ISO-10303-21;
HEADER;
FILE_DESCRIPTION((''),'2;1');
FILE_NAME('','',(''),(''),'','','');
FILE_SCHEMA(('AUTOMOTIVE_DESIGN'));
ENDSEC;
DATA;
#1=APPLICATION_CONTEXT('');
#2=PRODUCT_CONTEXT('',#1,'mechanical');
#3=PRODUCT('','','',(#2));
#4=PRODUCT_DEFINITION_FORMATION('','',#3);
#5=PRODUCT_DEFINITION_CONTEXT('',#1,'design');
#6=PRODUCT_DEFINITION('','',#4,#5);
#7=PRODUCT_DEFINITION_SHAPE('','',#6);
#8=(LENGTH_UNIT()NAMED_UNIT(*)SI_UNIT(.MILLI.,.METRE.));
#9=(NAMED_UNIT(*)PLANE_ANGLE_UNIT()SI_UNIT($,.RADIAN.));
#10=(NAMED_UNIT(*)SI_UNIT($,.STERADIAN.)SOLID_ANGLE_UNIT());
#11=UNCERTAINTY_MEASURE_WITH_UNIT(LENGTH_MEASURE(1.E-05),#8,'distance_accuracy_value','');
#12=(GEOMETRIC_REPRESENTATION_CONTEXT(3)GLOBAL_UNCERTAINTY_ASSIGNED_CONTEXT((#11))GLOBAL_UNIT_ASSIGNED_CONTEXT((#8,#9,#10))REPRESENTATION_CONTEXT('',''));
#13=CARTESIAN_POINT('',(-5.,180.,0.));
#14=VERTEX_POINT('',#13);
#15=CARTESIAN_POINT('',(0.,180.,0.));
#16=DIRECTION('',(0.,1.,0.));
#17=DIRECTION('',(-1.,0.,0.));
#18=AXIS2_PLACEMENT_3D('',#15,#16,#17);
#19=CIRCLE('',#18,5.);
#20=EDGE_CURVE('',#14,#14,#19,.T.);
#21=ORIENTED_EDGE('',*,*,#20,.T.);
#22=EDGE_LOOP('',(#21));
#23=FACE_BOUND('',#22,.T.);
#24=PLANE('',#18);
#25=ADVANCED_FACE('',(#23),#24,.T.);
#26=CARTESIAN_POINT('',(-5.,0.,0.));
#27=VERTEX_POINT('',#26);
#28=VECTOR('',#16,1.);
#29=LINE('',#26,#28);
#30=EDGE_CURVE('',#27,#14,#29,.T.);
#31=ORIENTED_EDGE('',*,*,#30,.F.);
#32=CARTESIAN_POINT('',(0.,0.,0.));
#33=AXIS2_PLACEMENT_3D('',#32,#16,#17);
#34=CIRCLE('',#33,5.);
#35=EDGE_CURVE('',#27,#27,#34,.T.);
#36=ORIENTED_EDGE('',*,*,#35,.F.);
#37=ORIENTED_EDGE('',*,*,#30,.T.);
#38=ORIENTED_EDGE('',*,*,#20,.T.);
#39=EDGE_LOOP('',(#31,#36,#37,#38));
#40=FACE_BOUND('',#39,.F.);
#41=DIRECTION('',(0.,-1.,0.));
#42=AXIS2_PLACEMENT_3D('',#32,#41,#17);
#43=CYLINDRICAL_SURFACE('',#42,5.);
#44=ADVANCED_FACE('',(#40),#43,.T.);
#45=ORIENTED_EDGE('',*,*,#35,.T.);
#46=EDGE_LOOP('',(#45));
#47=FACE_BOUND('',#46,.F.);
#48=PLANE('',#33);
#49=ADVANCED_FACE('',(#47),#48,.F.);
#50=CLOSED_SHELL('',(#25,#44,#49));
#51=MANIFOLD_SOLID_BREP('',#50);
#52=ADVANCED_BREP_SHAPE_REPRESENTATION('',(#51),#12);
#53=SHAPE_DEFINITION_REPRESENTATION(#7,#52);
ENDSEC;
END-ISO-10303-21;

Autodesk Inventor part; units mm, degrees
ref_plane "YZ Plane" through (0, 0, 0) normal (1, 0, 0) x (0, 1, 0)
ref_plane "XZ Plane" through (0, 0, 0) normal (0, 1, 0) x (-1, 0, 0)
ref_plane "XY Plane" through (0, 0, 0) normal (0, 0, 1) x (1, 0, 0)
sketch "Sketch1" plane through (0, 0, 0) normal (0, 1, 0) x (-1, 0, 0)
  circle A0 centre (0, 0) radius 5
  dimension "d0" = 10
extrude "Extrusion1" add sketch "Sketch1" along normal blind 180
properties part number "Tube"
